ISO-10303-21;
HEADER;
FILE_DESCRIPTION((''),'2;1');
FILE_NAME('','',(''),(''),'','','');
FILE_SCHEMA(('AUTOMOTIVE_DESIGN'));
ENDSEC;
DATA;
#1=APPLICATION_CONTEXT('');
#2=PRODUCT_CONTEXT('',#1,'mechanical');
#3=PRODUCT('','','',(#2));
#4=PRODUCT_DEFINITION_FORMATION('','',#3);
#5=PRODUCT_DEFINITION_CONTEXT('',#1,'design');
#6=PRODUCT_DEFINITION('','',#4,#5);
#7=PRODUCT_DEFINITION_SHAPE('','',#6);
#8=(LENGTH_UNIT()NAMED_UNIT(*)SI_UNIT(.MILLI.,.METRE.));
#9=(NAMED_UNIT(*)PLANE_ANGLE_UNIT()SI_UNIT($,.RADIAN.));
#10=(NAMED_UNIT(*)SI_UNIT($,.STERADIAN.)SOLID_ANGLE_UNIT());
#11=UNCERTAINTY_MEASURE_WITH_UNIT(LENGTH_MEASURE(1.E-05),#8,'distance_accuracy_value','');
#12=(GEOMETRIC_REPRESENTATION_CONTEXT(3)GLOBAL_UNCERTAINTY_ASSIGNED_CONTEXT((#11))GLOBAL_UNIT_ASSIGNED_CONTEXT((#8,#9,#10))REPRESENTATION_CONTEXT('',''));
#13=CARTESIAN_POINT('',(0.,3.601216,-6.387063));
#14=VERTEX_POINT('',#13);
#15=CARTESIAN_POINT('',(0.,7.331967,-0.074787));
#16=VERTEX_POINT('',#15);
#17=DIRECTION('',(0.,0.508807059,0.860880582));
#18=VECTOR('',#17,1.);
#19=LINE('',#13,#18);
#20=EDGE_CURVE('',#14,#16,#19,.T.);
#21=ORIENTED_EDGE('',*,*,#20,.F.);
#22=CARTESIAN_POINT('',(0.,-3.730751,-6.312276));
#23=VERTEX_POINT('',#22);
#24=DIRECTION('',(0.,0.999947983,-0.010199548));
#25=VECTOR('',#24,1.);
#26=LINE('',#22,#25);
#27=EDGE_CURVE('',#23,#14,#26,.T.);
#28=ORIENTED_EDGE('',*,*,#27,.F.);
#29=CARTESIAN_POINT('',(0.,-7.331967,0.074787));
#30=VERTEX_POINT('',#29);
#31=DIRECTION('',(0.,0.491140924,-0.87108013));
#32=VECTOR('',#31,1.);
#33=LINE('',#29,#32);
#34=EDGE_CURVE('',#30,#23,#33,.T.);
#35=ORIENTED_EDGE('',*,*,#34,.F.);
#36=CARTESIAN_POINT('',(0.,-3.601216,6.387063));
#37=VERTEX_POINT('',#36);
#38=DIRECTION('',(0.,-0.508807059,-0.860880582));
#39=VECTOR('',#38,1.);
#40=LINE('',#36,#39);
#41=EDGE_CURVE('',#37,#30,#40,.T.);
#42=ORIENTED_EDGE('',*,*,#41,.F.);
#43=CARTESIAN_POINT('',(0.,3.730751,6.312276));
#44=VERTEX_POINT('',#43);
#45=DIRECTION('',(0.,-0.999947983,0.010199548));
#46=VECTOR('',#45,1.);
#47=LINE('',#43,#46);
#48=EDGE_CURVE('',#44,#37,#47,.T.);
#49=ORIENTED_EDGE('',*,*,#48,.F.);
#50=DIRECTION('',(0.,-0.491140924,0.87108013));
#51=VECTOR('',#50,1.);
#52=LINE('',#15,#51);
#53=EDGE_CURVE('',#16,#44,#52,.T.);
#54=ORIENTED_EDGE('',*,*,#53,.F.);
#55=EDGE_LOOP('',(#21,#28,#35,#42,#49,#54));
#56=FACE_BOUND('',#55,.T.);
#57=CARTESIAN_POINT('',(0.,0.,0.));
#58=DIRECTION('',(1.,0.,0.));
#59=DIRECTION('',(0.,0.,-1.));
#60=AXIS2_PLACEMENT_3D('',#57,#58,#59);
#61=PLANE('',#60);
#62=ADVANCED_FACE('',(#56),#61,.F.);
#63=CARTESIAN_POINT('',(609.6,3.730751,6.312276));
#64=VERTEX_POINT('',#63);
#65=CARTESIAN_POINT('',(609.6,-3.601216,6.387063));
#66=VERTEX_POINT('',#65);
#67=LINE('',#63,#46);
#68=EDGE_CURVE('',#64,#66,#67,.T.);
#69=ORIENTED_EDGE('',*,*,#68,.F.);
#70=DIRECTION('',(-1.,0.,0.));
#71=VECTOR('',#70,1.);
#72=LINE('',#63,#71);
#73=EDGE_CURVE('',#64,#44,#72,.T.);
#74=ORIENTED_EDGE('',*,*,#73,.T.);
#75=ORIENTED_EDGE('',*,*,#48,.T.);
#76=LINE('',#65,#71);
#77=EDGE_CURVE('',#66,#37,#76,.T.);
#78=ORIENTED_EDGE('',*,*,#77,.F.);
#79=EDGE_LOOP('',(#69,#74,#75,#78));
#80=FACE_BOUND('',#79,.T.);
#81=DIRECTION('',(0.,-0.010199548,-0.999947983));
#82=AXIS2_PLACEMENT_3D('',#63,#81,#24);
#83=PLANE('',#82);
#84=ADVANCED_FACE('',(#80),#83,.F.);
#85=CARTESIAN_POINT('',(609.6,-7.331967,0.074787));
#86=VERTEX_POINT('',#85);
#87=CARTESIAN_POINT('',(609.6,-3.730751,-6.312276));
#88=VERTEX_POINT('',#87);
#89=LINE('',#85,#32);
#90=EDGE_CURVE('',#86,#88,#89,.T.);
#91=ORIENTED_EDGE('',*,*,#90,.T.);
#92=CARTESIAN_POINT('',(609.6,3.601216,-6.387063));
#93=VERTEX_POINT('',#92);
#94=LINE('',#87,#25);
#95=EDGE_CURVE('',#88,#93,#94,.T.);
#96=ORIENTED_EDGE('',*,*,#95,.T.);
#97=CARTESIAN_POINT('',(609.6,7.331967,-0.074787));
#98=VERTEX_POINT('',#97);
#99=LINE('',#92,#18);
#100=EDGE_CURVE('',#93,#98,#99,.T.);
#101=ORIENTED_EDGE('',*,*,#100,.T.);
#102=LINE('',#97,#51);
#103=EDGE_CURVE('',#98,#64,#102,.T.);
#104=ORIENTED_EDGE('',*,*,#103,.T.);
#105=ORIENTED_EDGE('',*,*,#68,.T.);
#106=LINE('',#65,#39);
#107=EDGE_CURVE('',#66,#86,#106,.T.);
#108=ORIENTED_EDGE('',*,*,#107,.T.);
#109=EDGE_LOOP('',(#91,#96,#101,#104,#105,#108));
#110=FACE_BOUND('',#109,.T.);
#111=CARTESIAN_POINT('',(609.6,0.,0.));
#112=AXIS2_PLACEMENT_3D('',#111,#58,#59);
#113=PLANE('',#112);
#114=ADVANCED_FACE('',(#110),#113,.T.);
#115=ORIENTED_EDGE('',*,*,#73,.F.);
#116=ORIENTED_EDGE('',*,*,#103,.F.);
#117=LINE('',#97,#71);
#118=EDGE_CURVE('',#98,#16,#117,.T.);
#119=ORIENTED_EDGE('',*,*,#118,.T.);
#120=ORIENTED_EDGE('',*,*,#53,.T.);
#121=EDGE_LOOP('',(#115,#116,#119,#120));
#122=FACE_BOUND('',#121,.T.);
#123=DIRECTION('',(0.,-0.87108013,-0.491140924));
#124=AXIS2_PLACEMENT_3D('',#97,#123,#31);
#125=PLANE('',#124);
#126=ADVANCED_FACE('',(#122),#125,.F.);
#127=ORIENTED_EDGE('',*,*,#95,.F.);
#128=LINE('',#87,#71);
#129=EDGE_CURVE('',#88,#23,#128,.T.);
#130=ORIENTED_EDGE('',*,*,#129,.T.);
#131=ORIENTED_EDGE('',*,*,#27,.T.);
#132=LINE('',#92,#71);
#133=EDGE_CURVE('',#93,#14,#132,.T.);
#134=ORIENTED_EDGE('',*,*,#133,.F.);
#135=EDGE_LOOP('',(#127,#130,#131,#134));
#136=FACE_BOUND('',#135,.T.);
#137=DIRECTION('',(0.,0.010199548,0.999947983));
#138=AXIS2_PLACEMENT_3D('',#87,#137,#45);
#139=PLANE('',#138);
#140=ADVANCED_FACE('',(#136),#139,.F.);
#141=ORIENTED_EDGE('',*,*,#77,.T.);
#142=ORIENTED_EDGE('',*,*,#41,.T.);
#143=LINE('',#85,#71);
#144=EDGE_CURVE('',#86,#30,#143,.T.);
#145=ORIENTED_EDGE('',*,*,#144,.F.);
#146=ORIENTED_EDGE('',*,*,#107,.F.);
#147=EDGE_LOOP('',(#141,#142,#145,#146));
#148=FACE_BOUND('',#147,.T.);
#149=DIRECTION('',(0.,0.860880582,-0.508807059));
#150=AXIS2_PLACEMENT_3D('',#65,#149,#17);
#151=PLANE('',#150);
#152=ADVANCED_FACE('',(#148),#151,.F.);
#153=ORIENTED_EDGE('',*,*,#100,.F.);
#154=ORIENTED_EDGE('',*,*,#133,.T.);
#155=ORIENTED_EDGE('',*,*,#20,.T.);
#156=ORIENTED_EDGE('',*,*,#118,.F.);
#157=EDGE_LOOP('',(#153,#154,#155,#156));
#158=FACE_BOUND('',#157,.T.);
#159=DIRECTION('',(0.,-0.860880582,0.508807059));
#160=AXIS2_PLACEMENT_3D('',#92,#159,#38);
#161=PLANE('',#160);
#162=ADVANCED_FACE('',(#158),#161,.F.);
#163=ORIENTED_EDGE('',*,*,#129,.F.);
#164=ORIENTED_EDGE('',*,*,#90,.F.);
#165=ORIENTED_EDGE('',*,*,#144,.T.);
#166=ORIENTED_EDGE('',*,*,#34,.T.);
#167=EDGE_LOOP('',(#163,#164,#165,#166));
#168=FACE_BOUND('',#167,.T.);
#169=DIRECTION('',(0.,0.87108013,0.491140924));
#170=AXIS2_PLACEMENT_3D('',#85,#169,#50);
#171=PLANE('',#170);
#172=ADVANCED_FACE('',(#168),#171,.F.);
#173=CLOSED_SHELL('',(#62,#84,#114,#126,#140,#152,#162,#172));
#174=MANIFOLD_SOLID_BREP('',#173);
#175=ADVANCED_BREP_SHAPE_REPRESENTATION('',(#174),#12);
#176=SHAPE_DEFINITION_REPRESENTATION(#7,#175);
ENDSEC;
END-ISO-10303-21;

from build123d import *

# Parameters (mm, degrees)
BOSS_EXTRUDE1_DEPTH = 609.6


with BuildPart() as part:
    # Sketch1 → Boss-Extrude1 (new body)
    with BuildSketch(Plane(origin=(0, 0, 0), x_dir=(0, 0, -1), z_dir=(1, 0, 0))):
        Polygon((6.387063012, 3.601216379), (0.074786637, 7.331967014), (-6.312276375, 3.730750635), (-6.387063012, -3.601216379), (-0.074786637, -7.331967014), (6.312276375, -3.730750635), align=None)
    extrude(amount=BOSS_EXTRUDE1_DEPTH)


solid = part.part
